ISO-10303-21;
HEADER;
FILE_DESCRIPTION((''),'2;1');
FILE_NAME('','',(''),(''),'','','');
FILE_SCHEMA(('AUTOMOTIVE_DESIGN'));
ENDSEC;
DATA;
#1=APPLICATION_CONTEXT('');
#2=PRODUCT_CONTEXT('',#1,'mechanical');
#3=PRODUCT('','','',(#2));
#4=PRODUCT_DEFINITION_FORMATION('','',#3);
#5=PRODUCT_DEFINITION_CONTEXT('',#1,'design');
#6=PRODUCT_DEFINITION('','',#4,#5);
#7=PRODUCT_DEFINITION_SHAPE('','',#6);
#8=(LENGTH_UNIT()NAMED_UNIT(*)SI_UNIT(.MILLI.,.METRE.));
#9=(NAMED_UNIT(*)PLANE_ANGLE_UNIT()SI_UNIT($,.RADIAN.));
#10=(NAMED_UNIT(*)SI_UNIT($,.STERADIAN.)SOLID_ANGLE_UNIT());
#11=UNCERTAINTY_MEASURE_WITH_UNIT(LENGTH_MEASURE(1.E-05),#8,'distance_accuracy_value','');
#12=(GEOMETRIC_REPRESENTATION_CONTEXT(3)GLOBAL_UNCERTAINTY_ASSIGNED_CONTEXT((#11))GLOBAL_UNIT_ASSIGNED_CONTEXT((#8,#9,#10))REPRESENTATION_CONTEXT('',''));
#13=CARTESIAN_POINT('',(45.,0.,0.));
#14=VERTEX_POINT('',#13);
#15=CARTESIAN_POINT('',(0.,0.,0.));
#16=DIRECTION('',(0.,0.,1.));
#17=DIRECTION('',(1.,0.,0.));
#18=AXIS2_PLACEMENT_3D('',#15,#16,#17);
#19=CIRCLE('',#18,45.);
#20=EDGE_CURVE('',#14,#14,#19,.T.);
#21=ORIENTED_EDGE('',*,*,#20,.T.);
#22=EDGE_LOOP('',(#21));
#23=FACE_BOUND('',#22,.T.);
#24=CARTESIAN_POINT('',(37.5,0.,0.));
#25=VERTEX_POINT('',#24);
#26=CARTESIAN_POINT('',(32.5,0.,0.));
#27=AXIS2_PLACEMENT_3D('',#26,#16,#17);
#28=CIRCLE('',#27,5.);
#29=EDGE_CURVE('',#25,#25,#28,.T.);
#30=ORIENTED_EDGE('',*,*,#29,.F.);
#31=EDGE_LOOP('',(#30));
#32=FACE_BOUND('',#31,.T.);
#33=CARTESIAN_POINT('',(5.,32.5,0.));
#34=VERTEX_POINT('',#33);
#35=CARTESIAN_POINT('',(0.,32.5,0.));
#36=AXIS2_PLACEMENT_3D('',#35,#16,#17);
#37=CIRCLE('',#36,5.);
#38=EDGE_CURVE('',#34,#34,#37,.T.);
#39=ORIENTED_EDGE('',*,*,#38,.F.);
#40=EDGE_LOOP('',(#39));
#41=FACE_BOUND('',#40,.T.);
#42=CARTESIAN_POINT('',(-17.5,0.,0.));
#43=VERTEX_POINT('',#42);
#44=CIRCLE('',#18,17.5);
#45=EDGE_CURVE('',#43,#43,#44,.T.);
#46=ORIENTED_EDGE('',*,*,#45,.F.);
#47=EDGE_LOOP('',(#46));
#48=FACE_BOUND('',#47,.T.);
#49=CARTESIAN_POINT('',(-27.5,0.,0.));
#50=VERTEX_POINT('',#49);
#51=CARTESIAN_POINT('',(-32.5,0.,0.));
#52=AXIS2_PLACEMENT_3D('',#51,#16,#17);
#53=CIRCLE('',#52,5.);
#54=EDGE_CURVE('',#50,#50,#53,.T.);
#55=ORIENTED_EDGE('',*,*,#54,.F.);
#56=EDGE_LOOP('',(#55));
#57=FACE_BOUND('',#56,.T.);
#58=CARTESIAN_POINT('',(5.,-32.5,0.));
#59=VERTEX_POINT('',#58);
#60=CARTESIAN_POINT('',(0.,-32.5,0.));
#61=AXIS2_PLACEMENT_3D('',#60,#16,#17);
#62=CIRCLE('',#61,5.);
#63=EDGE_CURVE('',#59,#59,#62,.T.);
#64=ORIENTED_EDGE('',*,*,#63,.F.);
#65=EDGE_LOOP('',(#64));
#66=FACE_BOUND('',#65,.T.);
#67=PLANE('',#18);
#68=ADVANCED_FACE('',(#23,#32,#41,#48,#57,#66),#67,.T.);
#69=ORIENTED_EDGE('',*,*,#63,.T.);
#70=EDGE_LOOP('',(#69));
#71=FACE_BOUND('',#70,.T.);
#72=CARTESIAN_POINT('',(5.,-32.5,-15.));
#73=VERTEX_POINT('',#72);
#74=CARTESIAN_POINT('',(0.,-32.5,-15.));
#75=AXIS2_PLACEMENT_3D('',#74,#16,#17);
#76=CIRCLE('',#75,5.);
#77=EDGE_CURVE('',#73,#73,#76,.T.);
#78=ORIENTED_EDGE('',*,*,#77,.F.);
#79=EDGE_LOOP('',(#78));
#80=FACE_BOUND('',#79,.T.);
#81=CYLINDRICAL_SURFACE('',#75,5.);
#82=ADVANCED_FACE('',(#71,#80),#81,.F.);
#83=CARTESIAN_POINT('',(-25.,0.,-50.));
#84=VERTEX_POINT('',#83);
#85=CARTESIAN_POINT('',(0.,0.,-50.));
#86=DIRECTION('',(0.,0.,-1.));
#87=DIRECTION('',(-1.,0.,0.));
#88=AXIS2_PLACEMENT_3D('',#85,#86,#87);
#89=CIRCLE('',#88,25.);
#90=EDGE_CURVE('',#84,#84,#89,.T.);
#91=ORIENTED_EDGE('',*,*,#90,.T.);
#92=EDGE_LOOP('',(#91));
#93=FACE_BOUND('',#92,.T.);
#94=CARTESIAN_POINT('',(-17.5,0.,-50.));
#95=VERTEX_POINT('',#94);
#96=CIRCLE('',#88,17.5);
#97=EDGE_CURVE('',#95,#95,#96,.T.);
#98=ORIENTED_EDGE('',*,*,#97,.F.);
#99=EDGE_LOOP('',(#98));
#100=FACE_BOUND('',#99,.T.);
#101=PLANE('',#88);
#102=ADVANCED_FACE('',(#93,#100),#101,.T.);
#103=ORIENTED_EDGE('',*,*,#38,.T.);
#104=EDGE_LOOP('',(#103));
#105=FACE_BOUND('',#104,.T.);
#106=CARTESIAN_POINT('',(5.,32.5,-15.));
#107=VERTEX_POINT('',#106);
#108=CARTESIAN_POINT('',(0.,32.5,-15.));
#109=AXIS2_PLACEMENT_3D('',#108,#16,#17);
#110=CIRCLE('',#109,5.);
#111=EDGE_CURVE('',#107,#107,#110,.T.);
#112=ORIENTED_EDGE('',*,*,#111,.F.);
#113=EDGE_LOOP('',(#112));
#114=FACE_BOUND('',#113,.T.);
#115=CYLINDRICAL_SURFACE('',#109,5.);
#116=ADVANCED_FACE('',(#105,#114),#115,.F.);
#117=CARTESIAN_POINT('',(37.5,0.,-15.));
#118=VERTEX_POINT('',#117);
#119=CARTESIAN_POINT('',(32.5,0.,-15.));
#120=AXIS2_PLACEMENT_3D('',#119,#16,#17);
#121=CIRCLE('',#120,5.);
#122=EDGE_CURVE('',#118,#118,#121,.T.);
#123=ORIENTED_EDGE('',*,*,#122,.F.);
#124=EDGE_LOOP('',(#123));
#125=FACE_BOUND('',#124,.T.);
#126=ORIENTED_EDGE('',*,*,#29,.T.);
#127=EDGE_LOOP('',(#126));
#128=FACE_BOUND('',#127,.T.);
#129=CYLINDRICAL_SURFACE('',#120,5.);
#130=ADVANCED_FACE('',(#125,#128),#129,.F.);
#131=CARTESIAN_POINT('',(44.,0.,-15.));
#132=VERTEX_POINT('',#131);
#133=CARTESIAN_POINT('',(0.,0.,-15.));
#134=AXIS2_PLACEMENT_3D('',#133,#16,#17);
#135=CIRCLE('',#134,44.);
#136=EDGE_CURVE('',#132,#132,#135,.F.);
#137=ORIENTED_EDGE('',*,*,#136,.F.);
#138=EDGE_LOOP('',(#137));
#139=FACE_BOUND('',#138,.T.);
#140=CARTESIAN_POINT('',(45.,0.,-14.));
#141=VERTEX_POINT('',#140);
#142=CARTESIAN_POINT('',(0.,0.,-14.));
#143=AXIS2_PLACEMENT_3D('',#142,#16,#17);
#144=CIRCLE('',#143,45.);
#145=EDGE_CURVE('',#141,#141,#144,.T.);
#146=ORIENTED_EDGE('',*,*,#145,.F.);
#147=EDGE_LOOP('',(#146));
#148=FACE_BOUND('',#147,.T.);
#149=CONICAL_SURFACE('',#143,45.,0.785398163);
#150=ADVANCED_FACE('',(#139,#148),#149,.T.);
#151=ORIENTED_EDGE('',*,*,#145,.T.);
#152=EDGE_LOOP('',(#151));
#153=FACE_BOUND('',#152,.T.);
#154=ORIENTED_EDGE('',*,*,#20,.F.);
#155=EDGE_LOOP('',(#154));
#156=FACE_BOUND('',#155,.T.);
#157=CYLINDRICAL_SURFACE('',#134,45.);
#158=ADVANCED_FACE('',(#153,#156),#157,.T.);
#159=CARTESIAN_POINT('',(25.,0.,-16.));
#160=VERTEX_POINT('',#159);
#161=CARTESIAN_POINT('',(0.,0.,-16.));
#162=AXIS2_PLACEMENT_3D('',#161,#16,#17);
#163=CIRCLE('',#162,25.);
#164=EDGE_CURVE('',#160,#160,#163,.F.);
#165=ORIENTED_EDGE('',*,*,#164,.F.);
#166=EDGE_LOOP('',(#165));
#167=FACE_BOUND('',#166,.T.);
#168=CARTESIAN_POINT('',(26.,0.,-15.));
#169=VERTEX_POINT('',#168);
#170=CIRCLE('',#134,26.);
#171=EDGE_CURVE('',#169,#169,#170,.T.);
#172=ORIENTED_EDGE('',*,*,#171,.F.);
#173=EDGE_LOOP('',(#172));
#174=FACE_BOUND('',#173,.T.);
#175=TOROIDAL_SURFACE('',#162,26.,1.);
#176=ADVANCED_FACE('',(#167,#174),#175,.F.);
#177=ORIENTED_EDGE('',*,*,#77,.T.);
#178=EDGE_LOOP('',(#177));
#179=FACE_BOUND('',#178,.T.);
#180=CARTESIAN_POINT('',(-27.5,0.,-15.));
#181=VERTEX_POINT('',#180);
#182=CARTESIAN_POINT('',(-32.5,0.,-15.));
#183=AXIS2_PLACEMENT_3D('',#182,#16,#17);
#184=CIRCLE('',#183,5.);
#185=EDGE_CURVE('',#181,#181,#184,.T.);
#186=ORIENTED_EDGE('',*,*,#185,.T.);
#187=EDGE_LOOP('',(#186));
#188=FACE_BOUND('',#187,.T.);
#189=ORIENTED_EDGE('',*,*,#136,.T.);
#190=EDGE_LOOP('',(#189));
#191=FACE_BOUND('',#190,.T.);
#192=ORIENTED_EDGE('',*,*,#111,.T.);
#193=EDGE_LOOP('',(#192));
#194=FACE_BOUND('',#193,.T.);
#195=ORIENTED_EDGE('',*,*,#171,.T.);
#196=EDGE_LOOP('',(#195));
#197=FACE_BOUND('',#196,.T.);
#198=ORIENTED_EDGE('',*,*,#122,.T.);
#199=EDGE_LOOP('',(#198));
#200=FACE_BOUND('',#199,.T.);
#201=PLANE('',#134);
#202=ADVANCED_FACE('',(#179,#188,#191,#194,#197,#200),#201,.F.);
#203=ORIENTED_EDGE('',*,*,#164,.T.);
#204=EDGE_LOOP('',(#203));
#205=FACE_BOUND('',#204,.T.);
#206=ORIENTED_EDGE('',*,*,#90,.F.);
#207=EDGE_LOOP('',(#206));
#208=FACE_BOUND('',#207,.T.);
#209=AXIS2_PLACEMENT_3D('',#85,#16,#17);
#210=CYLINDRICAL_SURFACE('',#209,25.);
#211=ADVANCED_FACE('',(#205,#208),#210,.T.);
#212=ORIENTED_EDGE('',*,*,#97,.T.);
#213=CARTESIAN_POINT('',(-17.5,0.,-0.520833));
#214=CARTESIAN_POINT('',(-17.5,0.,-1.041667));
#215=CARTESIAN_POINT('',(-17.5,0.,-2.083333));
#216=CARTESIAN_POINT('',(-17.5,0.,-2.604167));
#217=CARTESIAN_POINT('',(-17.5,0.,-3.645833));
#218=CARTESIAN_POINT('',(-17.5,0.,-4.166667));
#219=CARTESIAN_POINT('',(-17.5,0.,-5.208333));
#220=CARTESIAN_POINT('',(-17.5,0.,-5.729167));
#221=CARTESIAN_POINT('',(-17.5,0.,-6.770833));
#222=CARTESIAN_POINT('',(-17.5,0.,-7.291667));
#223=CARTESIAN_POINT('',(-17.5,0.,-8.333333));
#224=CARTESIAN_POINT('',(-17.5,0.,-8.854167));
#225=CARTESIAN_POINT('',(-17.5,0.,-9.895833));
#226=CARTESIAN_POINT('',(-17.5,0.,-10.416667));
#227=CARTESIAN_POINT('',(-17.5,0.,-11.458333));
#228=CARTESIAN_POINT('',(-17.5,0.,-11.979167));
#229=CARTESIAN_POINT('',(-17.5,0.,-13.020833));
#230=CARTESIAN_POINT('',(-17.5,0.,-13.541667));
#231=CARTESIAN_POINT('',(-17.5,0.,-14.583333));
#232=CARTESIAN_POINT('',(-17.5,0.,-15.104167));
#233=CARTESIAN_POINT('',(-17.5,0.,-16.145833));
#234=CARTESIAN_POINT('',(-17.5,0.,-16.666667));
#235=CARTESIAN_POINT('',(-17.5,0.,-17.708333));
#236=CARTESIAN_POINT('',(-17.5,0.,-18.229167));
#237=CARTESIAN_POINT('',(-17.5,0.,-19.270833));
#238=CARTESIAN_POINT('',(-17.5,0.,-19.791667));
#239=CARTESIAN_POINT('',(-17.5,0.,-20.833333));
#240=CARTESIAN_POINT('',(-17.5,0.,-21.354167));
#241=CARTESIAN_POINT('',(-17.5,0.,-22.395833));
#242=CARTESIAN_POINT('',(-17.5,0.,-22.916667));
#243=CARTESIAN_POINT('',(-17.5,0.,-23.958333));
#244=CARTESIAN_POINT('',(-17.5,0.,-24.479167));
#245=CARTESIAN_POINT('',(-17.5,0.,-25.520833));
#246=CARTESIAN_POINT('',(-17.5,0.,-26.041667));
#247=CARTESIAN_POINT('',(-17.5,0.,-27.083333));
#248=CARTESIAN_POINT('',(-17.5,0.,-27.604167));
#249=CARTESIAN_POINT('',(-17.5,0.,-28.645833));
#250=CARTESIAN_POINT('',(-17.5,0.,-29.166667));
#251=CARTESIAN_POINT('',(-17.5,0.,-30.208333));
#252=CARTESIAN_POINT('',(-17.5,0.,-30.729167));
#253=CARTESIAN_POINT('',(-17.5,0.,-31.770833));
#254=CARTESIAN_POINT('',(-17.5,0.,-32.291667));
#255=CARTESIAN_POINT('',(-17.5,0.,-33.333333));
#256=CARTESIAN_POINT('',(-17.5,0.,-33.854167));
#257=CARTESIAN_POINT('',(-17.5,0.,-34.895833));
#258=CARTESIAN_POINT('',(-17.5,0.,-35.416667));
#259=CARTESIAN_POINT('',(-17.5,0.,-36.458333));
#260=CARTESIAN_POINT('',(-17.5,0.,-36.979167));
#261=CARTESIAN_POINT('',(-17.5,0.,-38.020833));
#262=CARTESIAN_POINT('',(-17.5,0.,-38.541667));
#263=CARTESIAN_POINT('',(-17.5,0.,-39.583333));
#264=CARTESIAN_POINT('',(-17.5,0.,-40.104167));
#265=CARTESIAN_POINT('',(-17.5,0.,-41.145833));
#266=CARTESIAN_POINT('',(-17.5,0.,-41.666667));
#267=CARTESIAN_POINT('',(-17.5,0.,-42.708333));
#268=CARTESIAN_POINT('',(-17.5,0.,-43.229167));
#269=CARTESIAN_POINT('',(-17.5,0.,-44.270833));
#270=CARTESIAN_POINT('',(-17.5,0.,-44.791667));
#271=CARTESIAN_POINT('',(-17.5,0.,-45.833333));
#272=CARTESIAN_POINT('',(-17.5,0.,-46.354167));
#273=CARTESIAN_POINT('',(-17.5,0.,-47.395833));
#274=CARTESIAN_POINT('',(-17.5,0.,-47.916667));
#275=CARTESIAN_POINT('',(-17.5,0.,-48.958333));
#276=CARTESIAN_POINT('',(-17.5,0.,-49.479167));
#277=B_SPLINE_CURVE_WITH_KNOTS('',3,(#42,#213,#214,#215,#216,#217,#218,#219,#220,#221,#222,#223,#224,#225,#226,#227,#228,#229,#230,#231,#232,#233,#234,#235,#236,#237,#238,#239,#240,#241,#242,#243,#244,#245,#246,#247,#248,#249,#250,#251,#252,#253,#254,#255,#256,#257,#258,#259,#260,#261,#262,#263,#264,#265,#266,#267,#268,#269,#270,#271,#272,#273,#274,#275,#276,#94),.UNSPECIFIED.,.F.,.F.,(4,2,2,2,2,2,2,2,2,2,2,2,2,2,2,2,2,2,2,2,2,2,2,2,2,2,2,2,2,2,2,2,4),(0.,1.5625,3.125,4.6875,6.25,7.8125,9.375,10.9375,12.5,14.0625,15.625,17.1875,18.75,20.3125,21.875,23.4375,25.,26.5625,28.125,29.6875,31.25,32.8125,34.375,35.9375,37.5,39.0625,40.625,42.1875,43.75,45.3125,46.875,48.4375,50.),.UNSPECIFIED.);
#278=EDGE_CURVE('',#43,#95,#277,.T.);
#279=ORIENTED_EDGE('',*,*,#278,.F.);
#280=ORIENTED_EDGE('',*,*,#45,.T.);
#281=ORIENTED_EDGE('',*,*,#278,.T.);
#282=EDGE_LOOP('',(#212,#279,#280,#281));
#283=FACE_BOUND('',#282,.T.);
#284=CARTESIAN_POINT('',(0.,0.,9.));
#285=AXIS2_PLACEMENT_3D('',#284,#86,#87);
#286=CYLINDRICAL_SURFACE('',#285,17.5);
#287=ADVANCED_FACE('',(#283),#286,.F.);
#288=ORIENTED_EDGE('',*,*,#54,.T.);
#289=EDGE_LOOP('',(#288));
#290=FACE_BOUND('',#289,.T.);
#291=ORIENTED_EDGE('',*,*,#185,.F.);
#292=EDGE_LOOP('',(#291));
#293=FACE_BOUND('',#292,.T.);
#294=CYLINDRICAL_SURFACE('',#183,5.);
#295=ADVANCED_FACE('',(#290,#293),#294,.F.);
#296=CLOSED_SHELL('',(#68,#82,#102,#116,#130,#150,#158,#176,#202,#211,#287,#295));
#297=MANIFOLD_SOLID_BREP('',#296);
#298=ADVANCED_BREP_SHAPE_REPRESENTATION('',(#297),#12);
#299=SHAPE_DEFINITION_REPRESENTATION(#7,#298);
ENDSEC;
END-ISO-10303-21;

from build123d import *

# Parameters (mm, degrees)
SKETCH1_R           = 45
SKETCH1_R_2         = 5
BOSS_EXTRUDE1_DEPTH = 15
SKETCH3_R           = 25
BOSS_EXTRUDE2_DEPTH = 35
FILLET1_R           = 1
CHAMFER1_SIZE       = 1
SKETCH4_R           = 17.5
CUT_EXTRUDE1_DEPTH  = 59


with BuildPart() as part:
    # Sketch1 → Boss-Extrude1 (new body)
    with BuildSketch(Plane.XY):
        Circle(SKETCH1_R)
        with Locations((0, 32.5)):
            Circle(SKETCH1_R_2, mode=Mode.SUBTRACT)
        with Locations((32.5, 0)):
            Circle(SKETCH1_R_2, mode=Mode.SUBTRACT)
        with Locations((0, -32.5)):
            Circle(SKETCH1_R_2, mode=Mode.SUBTRACT)
        with Locations((-32.5, 0)):
            Circle(SKETCH1_R_2, mode=Mode.SUBTRACT)
    extrude(amount=-BOSS_EXTRUDE1_DEPTH)

    # Sketch3 → Boss-Extrude2 (add)
    with BuildSketch(Plane(origin=(0, 0, -15), x_dir=(-1, 0, 0), z_dir=(0, 0, -1))):
        with Locations(Location((0, 0, 0), (0, 0, 180))):
            Circle(SKETCH3_R)
    extrude(amount=BOSS_EXTRUDE2_DEPTH)

    # Fillet1
    fillet1_edges = [part.edges().sort_by_distance(p)[0] for p in [
        (-25, 0, -15),
    ]]
    fillet(fillet1_edges, radius=FILLET1_R)

    # Chamfer1
    chamfer1_edges = [part.edges().sort_by_distance(p)[0] for p in [
        (-45, 0, -15),
    ]]
    chamfer(chamfer1_edges, length=CHAMFER1_SIZE)

    # Sketch4 → Cut-Extrude1 (cut)
    with BuildSketch(Plane(origin=(0, 0, -50), x_dir=(-1, 0, 0), z_dir=(0, 0, -1))):
        Circle(SKETCH4_R)
    extrude(amount=-CUT_EXTRUDE1_DEPTH, mode=Mode.SUBTRACT)


solid = part.part
